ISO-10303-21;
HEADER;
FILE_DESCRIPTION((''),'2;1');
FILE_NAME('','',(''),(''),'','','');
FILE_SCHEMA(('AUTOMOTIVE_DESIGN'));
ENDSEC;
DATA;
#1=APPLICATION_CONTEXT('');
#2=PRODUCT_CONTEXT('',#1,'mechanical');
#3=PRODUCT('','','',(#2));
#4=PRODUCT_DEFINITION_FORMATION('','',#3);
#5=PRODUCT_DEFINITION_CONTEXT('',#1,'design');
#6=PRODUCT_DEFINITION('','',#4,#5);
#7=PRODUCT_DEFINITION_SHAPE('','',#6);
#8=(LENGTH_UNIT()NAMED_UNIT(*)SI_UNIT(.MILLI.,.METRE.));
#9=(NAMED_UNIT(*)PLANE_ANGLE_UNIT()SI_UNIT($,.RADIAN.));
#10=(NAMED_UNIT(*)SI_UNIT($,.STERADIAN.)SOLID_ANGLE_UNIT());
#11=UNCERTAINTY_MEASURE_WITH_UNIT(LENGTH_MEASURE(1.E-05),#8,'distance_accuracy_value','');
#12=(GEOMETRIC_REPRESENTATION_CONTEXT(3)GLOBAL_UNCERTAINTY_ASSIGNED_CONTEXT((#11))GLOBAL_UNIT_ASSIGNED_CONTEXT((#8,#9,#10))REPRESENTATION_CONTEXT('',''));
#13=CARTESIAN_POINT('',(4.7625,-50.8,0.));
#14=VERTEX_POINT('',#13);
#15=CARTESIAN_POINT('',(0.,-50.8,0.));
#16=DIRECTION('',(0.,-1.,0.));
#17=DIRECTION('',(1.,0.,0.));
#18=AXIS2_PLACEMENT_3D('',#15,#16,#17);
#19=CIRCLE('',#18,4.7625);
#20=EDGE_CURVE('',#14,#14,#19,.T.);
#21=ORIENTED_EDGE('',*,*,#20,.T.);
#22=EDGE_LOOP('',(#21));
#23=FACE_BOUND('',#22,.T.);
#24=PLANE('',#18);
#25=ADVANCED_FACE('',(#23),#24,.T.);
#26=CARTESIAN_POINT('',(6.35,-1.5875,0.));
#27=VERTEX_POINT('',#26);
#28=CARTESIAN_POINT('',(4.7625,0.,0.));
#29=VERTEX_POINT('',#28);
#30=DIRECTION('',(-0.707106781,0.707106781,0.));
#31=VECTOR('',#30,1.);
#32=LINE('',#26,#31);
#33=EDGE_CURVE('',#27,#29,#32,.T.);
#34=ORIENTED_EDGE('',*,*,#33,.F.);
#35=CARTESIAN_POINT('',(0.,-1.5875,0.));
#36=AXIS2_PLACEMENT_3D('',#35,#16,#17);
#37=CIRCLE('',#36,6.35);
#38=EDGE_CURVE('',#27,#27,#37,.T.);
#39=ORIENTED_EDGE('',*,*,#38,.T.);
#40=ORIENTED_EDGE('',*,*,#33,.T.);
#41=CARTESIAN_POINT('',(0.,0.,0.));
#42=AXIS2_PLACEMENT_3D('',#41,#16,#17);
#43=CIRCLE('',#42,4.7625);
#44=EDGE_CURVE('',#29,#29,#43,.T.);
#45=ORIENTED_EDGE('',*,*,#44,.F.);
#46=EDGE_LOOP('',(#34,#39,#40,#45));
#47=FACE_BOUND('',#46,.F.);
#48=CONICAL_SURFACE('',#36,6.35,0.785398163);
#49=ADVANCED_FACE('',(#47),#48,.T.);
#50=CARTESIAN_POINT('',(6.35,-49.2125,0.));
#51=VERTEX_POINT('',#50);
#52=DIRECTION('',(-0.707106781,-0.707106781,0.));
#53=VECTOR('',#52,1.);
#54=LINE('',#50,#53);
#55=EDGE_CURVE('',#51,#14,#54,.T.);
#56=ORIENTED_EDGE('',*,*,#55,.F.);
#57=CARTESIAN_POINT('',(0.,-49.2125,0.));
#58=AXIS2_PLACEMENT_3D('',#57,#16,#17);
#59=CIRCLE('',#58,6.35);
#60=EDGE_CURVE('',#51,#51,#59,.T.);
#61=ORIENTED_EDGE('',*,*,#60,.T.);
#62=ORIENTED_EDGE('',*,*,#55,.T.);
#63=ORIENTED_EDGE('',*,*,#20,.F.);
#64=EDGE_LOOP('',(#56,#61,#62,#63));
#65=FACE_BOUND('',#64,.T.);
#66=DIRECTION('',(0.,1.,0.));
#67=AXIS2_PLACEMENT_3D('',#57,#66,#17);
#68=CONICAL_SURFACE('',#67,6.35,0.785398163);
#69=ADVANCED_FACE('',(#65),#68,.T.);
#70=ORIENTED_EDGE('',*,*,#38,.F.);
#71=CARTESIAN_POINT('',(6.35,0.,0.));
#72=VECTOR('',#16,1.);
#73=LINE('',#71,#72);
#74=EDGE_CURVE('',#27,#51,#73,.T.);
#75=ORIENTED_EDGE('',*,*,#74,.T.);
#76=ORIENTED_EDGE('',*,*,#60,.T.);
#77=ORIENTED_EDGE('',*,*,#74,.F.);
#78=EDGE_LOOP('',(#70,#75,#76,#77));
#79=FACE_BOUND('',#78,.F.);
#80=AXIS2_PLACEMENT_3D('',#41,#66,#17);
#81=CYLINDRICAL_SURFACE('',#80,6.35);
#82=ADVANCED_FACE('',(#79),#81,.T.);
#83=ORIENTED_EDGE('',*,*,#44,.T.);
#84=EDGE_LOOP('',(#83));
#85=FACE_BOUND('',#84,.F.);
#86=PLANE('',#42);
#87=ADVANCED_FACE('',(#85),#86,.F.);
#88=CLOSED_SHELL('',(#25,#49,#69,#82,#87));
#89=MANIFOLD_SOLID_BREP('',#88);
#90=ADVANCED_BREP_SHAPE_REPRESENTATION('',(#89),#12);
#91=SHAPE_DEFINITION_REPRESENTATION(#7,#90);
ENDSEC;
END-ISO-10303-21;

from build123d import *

# Parameters (mm, degrees)
F0_R     = 6.35
F0_R_2   = 4.7625
F1_DEPTH = 50.8
F2_SIZE2 = 1.5875
F2_SIZE  = 1.5875


with BuildPart() as f1:
    # F0 (on Front) → F1 (new body)
    with BuildSketch(Plane.XZ):
        Circle(F0_R)
        Circle(F0_R_2, mode=Mode.SUBTRACT)
        Circle(F0_R_2)
    extrude(amount=F1_DEPTH)

    # F2
    f2_edges = [f1.edges().sort_by_distance(p)[0] for p in [
        (-6.35, -50.8, 0),
        (-6.35, 0, 0),
    ]]
    chamfer(f2_edges, length=F2_SIZE, length2=F2_SIZE2)


solid = f1.part
